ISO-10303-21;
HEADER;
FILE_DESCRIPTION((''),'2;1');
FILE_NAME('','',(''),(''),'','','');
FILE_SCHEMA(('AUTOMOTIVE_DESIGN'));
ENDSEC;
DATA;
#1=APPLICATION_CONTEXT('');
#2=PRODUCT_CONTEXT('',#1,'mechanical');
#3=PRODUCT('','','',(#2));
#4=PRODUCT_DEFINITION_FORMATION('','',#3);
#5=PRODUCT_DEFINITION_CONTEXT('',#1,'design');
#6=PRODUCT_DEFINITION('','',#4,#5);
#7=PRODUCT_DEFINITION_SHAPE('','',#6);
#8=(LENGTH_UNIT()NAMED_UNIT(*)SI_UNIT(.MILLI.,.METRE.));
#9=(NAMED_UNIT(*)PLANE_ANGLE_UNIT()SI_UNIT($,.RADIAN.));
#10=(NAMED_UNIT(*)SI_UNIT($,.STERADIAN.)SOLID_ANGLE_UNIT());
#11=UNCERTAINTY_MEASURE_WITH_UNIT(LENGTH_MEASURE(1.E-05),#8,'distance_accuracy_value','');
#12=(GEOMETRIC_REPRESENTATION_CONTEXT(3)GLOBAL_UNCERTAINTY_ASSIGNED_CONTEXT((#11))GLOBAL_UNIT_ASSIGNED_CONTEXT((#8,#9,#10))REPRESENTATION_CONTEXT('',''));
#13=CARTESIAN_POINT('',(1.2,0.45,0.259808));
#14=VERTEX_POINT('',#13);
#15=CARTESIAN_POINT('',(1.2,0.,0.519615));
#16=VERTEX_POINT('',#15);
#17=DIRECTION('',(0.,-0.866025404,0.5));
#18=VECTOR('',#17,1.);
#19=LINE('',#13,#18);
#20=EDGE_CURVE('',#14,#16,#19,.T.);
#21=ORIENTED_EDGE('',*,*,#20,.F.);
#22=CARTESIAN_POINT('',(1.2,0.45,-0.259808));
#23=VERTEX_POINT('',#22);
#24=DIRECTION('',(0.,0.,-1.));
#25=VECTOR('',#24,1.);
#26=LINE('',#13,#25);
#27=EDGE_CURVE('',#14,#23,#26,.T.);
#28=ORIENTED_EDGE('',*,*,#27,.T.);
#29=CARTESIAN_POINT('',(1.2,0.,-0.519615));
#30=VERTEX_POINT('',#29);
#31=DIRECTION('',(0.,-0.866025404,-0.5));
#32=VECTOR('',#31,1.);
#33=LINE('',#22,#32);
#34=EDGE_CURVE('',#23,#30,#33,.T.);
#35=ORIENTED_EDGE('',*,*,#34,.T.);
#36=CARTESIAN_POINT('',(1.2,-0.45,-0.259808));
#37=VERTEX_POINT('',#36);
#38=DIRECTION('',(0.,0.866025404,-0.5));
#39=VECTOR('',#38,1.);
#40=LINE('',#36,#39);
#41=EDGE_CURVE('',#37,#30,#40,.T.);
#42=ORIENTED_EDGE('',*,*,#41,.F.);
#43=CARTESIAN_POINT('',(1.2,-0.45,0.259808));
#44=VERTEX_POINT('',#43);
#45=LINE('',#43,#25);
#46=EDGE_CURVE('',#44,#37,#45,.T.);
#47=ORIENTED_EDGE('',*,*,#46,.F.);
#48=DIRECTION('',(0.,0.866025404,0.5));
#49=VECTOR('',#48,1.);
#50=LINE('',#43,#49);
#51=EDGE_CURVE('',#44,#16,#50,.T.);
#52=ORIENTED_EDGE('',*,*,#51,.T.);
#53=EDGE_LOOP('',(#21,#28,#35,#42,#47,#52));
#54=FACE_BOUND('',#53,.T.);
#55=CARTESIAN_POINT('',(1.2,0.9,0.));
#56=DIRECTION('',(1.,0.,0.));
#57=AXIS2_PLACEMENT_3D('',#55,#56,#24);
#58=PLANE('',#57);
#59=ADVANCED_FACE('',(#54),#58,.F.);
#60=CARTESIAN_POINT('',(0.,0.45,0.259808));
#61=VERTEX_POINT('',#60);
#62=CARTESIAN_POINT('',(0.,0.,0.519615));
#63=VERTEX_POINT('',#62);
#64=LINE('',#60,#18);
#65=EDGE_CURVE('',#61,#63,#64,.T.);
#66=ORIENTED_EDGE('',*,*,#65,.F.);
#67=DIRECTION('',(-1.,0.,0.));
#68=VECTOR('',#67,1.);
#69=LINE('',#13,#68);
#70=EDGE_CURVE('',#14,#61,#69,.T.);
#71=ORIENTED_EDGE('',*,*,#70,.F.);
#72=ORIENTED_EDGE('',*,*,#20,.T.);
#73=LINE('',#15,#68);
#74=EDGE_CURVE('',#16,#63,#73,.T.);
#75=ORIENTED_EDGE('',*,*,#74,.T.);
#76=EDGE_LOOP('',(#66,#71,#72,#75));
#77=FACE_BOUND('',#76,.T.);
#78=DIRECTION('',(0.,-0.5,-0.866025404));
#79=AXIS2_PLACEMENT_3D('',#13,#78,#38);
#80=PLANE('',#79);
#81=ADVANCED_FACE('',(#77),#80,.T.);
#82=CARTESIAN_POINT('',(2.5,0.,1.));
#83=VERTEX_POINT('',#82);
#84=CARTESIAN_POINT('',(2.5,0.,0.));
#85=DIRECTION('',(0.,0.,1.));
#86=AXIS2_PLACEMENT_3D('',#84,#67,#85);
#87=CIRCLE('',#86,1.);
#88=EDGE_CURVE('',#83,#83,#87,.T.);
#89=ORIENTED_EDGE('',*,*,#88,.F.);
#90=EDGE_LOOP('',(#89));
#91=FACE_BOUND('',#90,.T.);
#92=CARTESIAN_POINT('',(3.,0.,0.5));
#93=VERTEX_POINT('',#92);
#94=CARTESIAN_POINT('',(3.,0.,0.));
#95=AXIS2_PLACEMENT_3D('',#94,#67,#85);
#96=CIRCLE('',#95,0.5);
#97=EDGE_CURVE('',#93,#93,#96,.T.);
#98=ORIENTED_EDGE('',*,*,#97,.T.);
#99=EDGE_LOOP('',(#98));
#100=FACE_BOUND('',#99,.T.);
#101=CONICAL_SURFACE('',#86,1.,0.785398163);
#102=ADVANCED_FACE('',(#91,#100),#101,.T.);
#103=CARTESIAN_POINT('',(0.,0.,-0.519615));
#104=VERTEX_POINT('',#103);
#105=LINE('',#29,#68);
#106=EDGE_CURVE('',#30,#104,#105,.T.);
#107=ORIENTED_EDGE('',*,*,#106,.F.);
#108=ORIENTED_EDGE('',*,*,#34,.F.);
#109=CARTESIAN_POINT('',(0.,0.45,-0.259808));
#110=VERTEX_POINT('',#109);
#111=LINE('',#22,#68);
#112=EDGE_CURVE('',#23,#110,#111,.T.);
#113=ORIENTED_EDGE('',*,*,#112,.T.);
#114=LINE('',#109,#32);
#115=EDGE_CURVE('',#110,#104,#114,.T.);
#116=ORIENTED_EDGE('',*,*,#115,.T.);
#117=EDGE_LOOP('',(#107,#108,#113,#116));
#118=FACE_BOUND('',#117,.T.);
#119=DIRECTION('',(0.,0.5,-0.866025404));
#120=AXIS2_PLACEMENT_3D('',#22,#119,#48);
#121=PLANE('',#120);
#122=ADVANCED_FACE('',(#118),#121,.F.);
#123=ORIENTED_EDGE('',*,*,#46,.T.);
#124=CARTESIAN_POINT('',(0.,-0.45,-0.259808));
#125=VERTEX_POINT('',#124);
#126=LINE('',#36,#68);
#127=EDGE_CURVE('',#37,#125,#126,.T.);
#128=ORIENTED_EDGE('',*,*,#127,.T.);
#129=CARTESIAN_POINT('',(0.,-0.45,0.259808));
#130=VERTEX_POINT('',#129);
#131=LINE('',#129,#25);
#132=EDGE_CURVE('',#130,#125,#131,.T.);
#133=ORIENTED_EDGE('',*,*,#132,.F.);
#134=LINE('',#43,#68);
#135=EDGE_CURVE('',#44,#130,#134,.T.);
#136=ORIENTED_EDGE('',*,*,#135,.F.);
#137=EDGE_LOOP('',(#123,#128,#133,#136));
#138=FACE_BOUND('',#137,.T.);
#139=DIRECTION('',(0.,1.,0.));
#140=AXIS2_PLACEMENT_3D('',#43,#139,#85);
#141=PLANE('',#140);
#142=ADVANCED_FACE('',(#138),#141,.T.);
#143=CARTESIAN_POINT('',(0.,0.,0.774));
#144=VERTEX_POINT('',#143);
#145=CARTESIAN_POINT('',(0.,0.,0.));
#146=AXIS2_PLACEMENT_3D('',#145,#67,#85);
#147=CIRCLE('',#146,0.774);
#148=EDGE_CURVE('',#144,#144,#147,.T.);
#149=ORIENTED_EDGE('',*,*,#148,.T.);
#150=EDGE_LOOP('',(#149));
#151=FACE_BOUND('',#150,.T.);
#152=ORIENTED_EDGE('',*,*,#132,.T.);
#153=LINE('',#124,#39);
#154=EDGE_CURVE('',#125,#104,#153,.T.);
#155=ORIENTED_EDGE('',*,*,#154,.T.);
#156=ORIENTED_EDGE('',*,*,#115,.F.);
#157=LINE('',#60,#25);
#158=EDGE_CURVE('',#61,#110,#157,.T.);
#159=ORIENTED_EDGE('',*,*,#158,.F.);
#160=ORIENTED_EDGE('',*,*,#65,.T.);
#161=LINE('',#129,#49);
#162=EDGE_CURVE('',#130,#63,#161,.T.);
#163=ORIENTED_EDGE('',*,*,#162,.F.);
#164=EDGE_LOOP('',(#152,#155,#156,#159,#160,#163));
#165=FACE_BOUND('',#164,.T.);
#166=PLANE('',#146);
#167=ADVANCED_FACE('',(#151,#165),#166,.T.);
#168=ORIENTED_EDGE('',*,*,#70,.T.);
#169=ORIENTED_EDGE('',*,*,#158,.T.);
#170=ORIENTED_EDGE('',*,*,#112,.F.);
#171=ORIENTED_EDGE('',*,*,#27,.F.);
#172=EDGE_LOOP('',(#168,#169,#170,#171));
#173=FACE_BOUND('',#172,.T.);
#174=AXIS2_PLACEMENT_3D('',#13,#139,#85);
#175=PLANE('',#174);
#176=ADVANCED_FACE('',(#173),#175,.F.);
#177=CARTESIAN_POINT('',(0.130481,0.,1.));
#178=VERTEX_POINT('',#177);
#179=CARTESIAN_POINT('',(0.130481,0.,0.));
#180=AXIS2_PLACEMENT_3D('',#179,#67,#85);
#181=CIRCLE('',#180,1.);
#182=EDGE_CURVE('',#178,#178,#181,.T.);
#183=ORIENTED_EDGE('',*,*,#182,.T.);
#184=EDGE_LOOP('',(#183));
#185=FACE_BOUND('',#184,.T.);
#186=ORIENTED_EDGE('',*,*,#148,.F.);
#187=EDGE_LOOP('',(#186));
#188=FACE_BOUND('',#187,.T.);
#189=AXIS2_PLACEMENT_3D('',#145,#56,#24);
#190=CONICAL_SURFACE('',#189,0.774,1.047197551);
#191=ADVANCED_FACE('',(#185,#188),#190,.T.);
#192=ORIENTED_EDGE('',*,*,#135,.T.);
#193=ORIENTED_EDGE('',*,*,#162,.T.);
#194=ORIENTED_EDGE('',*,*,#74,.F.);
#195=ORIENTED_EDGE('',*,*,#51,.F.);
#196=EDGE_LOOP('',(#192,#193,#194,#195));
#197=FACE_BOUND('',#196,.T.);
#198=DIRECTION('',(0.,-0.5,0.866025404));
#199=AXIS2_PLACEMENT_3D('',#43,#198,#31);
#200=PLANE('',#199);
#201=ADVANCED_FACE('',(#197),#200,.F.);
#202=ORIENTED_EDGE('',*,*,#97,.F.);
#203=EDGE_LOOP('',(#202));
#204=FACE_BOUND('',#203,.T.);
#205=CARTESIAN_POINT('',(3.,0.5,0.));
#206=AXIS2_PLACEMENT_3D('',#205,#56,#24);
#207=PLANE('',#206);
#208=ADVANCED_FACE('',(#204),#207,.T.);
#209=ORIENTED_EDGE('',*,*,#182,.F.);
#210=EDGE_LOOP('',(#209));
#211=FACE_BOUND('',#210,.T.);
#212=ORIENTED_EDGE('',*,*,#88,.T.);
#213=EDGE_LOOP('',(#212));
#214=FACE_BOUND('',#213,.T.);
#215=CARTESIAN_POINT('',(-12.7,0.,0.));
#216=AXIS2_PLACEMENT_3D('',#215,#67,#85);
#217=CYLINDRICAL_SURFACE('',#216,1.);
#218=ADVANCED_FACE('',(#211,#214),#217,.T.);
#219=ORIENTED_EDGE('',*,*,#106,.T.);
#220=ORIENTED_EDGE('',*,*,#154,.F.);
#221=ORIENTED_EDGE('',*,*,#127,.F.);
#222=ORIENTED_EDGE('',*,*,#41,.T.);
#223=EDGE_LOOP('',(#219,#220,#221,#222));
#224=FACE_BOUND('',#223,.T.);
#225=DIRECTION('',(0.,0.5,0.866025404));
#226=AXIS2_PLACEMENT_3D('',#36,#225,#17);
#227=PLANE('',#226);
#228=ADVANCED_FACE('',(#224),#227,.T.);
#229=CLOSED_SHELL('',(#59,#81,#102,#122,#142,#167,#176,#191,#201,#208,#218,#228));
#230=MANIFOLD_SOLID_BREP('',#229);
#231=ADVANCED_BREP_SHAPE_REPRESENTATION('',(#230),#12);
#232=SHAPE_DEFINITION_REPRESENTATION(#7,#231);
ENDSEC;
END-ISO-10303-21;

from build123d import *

# Parameters (mm, degrees)
HEX_2_DEPTH = 1.2


with BuildPart() as part:
    # BodySke → BaseBody (revolve)
    with BuildSketch(Plane.XY):
        Polygon((0, 0), (0, 0.774), (0.130481161, 1), (2.5, 1), (3, 0.5), (3, 0), align=None)
    revolve(axis=Axis((-12.7, 0, 0), (1, 0, 0)))

    # Sketch2 → Hex 2 (cut)
    with BuildSketch(Plane.ZY):
        Polygon((0.259807621, 0.45), (-0.259807621, 0.45), (-0.519615242, 0), (-0.259807621, -0.45), (0.259807621, -0.45), (0.519615242, 0), align=None)
    extrude(amount=-HEX_2_DEPTH, mode=Mode.SUBTRACT)


solid = part.part
